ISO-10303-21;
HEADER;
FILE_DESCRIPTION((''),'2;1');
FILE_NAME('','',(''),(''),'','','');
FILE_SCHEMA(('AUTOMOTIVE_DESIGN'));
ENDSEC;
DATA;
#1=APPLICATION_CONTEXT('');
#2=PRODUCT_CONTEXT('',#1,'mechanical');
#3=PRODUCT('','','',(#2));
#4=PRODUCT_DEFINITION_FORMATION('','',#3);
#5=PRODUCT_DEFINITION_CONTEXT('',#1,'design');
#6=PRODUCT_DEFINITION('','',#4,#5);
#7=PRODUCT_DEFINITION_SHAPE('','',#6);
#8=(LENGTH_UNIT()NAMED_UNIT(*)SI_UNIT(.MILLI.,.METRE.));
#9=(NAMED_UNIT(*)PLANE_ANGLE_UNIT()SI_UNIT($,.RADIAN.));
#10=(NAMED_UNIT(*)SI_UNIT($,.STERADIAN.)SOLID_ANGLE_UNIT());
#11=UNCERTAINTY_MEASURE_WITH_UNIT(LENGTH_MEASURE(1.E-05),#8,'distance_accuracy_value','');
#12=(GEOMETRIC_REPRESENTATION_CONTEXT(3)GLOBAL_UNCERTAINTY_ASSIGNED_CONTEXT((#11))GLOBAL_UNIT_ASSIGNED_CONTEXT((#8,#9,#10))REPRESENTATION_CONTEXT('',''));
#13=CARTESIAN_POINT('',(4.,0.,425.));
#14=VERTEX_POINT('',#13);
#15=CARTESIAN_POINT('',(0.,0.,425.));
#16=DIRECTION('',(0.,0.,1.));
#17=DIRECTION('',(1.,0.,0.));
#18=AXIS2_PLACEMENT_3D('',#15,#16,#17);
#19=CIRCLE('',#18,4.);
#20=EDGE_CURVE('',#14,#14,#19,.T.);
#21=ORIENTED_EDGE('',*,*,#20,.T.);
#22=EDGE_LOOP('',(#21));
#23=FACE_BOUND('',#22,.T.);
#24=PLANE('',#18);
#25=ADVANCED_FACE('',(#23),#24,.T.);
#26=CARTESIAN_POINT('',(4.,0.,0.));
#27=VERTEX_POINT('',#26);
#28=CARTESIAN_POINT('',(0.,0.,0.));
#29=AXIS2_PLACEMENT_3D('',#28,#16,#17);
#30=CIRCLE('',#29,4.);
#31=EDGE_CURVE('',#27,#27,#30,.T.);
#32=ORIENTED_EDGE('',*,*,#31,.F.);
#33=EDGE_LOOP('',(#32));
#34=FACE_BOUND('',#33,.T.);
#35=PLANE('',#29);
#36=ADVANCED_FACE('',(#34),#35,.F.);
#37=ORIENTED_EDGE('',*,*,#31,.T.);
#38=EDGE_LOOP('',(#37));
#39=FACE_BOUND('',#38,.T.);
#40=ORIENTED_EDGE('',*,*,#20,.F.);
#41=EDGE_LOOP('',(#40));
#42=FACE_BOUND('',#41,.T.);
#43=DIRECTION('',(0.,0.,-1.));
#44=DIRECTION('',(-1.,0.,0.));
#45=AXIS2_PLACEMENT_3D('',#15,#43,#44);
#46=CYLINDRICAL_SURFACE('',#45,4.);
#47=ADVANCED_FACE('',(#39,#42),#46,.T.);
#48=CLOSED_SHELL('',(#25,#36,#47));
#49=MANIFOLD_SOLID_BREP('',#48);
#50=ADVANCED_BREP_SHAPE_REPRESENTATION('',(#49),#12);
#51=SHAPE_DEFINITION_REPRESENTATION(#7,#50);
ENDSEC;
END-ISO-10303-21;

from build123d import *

# Parameters (mm, degrees)
SKETCH1_R           = 4
BOSS_EXTRUDE1_DEPTH = 425


with BuildPart() as part:
    # Sketch1 → Boss-Extrude1 (new body)
    with BuildSketch(Plane.XY):
        Circle(SKETCH1_R)
    extrude(amount=BOSS_EXTRUDE1_DEPTH)


solid = part.part
